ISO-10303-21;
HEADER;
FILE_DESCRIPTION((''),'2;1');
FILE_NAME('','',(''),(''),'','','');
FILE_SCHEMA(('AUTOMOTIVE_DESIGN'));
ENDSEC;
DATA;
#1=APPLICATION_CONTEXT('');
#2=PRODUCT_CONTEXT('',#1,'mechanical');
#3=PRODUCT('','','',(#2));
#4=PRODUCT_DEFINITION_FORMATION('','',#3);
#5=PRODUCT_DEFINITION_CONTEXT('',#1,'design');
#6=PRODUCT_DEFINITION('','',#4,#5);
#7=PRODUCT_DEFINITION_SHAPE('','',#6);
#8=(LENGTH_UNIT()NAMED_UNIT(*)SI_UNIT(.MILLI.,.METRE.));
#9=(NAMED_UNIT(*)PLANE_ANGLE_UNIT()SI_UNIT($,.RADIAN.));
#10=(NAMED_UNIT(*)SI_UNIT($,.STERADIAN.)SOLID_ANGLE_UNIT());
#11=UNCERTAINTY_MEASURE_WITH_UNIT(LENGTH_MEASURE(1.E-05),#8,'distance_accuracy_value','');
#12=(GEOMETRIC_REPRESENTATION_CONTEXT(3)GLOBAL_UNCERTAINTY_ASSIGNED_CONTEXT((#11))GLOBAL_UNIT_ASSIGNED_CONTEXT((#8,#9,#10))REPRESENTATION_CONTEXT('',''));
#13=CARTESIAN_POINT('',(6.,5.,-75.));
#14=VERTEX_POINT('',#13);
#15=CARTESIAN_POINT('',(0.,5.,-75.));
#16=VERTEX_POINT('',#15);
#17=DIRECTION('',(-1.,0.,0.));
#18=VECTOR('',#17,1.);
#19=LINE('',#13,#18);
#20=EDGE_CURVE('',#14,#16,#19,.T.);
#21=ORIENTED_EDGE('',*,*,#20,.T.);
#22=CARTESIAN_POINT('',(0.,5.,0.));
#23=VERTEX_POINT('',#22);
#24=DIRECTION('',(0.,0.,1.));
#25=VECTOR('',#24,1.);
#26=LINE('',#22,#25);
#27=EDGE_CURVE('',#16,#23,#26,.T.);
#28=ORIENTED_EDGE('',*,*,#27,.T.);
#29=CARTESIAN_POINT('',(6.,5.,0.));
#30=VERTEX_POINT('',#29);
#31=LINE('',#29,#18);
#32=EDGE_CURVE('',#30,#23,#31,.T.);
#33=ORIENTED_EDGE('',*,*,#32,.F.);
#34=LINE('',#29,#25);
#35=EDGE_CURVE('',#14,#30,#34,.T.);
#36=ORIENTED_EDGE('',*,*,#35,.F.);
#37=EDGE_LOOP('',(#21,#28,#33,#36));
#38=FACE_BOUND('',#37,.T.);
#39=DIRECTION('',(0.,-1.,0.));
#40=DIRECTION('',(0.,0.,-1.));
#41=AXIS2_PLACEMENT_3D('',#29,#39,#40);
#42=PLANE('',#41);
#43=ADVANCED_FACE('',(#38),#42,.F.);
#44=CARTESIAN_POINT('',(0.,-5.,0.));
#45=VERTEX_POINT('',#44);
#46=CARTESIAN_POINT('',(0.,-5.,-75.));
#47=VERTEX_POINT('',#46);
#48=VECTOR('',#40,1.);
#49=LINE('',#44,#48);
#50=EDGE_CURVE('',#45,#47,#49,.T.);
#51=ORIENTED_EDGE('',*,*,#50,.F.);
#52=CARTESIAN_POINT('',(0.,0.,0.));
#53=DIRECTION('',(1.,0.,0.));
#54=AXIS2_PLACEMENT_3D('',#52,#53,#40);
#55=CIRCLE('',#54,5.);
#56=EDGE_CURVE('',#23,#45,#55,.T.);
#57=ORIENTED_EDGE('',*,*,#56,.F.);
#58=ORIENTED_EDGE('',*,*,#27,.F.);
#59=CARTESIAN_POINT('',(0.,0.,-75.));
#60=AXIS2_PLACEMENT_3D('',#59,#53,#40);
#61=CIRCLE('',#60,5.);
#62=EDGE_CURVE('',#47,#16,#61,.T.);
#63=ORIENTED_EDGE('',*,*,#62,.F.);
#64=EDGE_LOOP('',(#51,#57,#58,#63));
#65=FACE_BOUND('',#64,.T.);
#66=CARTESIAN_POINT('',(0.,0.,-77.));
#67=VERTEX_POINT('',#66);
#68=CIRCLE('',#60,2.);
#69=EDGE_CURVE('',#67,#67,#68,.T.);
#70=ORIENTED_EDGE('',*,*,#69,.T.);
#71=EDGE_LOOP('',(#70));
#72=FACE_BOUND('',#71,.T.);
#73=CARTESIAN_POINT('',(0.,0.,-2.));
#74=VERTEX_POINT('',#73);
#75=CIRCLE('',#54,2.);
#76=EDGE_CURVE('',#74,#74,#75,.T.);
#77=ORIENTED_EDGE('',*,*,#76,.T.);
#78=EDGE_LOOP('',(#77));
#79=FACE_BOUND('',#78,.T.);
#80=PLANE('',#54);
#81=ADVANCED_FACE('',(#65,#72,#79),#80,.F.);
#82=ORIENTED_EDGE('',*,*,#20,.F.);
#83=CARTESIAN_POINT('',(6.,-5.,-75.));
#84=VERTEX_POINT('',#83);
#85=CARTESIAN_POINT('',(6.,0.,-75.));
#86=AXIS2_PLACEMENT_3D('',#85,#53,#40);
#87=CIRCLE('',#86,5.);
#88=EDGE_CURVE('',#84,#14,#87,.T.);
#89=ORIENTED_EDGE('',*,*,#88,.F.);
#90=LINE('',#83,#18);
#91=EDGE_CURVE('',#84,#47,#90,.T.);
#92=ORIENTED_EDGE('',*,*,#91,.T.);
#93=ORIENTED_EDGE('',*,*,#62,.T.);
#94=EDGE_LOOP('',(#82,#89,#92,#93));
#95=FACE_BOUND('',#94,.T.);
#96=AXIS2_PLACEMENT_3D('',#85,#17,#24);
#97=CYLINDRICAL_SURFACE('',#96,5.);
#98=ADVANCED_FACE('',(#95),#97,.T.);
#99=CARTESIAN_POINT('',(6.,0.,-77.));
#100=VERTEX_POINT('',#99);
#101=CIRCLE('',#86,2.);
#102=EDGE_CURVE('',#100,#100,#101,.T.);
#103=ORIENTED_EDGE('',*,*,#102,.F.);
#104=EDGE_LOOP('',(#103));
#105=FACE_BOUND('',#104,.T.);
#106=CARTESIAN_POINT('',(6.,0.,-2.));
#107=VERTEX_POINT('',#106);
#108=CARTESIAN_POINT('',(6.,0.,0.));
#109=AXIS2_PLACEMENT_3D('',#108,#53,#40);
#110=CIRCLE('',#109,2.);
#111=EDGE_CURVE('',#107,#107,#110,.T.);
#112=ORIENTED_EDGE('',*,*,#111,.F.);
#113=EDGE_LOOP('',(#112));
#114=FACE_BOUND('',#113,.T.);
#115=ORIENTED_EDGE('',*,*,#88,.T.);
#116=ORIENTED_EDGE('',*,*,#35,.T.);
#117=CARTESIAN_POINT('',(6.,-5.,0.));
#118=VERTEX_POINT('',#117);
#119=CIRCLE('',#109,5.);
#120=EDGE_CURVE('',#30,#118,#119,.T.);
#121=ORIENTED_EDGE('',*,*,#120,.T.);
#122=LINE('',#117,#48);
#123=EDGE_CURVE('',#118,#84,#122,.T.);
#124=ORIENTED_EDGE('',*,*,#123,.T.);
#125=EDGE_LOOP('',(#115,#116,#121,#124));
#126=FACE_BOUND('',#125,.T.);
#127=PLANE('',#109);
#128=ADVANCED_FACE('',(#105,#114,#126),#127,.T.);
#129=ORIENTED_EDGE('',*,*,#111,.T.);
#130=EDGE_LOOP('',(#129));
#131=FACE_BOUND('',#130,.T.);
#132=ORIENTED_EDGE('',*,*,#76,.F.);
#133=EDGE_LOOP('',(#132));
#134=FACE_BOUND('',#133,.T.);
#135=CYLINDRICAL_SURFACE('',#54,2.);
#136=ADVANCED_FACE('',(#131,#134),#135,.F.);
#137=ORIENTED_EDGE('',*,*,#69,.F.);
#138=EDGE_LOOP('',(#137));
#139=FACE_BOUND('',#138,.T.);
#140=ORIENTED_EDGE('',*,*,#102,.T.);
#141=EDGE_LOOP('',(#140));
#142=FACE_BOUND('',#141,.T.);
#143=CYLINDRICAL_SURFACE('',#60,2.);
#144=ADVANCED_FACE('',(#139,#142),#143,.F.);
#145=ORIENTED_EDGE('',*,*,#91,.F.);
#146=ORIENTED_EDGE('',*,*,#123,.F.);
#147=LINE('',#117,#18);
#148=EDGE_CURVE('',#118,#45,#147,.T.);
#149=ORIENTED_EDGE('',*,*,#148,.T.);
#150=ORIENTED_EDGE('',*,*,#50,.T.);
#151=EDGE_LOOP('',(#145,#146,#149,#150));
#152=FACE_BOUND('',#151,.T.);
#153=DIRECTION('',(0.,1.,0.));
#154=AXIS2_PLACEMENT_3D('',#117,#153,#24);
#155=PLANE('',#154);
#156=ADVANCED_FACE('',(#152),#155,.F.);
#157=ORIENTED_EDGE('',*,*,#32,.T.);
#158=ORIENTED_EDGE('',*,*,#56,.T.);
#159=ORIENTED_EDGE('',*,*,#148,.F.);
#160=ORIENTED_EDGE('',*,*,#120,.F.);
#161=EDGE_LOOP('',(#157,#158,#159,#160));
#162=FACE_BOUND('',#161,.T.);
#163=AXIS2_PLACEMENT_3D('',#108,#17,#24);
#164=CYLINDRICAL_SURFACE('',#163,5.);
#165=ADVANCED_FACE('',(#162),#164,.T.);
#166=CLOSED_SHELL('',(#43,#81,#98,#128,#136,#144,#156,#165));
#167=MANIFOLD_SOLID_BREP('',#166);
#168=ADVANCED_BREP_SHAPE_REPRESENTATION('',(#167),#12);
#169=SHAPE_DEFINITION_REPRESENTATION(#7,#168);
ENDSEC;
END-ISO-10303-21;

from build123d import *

# Parameters (mm, degrees)
EXTRUDE_1_DEPTH     = 6
SKETCH_2_R          = 2
CUT_EXTRUDE_1_DEPTH = 81.380345856


with BuildPart() as part:
    # 草图1 → 凸台-拉伸1 (new body)
    with BuildSketch(Plane(origin=(0, 0, 0), x_dir=(0, 0, -1), z_dir=(1, 0, 0))):
        with BuildLine():
            Line((0, 5), (75, 5))
            ThreePointArc((75, 5), (80, 0), (75, -5))
            Line((75, -5), (0, -5))
            ThreePointArc((0, -5), (-5, 0), (0, 5))
        make_face()
    extrude(amount=EXTRUDE_1_DEPTH)

    # 草图2 → 切除-拉伸1 (cut, through all)
    with BuildSketch(Plane(origin=(6, 0, 0), x_dir=(0, 0, -1), z_dir=(1, 0, 0))):
        with Locations((75, 0)):
            Circle(SKETCH_2_R)
        Circle(SKETCH_2_R)
    extrude(amount=-CUT_EXTRUDE_1_DEPTH, mode=Mode.SUBTRACT)


solid = part.part
